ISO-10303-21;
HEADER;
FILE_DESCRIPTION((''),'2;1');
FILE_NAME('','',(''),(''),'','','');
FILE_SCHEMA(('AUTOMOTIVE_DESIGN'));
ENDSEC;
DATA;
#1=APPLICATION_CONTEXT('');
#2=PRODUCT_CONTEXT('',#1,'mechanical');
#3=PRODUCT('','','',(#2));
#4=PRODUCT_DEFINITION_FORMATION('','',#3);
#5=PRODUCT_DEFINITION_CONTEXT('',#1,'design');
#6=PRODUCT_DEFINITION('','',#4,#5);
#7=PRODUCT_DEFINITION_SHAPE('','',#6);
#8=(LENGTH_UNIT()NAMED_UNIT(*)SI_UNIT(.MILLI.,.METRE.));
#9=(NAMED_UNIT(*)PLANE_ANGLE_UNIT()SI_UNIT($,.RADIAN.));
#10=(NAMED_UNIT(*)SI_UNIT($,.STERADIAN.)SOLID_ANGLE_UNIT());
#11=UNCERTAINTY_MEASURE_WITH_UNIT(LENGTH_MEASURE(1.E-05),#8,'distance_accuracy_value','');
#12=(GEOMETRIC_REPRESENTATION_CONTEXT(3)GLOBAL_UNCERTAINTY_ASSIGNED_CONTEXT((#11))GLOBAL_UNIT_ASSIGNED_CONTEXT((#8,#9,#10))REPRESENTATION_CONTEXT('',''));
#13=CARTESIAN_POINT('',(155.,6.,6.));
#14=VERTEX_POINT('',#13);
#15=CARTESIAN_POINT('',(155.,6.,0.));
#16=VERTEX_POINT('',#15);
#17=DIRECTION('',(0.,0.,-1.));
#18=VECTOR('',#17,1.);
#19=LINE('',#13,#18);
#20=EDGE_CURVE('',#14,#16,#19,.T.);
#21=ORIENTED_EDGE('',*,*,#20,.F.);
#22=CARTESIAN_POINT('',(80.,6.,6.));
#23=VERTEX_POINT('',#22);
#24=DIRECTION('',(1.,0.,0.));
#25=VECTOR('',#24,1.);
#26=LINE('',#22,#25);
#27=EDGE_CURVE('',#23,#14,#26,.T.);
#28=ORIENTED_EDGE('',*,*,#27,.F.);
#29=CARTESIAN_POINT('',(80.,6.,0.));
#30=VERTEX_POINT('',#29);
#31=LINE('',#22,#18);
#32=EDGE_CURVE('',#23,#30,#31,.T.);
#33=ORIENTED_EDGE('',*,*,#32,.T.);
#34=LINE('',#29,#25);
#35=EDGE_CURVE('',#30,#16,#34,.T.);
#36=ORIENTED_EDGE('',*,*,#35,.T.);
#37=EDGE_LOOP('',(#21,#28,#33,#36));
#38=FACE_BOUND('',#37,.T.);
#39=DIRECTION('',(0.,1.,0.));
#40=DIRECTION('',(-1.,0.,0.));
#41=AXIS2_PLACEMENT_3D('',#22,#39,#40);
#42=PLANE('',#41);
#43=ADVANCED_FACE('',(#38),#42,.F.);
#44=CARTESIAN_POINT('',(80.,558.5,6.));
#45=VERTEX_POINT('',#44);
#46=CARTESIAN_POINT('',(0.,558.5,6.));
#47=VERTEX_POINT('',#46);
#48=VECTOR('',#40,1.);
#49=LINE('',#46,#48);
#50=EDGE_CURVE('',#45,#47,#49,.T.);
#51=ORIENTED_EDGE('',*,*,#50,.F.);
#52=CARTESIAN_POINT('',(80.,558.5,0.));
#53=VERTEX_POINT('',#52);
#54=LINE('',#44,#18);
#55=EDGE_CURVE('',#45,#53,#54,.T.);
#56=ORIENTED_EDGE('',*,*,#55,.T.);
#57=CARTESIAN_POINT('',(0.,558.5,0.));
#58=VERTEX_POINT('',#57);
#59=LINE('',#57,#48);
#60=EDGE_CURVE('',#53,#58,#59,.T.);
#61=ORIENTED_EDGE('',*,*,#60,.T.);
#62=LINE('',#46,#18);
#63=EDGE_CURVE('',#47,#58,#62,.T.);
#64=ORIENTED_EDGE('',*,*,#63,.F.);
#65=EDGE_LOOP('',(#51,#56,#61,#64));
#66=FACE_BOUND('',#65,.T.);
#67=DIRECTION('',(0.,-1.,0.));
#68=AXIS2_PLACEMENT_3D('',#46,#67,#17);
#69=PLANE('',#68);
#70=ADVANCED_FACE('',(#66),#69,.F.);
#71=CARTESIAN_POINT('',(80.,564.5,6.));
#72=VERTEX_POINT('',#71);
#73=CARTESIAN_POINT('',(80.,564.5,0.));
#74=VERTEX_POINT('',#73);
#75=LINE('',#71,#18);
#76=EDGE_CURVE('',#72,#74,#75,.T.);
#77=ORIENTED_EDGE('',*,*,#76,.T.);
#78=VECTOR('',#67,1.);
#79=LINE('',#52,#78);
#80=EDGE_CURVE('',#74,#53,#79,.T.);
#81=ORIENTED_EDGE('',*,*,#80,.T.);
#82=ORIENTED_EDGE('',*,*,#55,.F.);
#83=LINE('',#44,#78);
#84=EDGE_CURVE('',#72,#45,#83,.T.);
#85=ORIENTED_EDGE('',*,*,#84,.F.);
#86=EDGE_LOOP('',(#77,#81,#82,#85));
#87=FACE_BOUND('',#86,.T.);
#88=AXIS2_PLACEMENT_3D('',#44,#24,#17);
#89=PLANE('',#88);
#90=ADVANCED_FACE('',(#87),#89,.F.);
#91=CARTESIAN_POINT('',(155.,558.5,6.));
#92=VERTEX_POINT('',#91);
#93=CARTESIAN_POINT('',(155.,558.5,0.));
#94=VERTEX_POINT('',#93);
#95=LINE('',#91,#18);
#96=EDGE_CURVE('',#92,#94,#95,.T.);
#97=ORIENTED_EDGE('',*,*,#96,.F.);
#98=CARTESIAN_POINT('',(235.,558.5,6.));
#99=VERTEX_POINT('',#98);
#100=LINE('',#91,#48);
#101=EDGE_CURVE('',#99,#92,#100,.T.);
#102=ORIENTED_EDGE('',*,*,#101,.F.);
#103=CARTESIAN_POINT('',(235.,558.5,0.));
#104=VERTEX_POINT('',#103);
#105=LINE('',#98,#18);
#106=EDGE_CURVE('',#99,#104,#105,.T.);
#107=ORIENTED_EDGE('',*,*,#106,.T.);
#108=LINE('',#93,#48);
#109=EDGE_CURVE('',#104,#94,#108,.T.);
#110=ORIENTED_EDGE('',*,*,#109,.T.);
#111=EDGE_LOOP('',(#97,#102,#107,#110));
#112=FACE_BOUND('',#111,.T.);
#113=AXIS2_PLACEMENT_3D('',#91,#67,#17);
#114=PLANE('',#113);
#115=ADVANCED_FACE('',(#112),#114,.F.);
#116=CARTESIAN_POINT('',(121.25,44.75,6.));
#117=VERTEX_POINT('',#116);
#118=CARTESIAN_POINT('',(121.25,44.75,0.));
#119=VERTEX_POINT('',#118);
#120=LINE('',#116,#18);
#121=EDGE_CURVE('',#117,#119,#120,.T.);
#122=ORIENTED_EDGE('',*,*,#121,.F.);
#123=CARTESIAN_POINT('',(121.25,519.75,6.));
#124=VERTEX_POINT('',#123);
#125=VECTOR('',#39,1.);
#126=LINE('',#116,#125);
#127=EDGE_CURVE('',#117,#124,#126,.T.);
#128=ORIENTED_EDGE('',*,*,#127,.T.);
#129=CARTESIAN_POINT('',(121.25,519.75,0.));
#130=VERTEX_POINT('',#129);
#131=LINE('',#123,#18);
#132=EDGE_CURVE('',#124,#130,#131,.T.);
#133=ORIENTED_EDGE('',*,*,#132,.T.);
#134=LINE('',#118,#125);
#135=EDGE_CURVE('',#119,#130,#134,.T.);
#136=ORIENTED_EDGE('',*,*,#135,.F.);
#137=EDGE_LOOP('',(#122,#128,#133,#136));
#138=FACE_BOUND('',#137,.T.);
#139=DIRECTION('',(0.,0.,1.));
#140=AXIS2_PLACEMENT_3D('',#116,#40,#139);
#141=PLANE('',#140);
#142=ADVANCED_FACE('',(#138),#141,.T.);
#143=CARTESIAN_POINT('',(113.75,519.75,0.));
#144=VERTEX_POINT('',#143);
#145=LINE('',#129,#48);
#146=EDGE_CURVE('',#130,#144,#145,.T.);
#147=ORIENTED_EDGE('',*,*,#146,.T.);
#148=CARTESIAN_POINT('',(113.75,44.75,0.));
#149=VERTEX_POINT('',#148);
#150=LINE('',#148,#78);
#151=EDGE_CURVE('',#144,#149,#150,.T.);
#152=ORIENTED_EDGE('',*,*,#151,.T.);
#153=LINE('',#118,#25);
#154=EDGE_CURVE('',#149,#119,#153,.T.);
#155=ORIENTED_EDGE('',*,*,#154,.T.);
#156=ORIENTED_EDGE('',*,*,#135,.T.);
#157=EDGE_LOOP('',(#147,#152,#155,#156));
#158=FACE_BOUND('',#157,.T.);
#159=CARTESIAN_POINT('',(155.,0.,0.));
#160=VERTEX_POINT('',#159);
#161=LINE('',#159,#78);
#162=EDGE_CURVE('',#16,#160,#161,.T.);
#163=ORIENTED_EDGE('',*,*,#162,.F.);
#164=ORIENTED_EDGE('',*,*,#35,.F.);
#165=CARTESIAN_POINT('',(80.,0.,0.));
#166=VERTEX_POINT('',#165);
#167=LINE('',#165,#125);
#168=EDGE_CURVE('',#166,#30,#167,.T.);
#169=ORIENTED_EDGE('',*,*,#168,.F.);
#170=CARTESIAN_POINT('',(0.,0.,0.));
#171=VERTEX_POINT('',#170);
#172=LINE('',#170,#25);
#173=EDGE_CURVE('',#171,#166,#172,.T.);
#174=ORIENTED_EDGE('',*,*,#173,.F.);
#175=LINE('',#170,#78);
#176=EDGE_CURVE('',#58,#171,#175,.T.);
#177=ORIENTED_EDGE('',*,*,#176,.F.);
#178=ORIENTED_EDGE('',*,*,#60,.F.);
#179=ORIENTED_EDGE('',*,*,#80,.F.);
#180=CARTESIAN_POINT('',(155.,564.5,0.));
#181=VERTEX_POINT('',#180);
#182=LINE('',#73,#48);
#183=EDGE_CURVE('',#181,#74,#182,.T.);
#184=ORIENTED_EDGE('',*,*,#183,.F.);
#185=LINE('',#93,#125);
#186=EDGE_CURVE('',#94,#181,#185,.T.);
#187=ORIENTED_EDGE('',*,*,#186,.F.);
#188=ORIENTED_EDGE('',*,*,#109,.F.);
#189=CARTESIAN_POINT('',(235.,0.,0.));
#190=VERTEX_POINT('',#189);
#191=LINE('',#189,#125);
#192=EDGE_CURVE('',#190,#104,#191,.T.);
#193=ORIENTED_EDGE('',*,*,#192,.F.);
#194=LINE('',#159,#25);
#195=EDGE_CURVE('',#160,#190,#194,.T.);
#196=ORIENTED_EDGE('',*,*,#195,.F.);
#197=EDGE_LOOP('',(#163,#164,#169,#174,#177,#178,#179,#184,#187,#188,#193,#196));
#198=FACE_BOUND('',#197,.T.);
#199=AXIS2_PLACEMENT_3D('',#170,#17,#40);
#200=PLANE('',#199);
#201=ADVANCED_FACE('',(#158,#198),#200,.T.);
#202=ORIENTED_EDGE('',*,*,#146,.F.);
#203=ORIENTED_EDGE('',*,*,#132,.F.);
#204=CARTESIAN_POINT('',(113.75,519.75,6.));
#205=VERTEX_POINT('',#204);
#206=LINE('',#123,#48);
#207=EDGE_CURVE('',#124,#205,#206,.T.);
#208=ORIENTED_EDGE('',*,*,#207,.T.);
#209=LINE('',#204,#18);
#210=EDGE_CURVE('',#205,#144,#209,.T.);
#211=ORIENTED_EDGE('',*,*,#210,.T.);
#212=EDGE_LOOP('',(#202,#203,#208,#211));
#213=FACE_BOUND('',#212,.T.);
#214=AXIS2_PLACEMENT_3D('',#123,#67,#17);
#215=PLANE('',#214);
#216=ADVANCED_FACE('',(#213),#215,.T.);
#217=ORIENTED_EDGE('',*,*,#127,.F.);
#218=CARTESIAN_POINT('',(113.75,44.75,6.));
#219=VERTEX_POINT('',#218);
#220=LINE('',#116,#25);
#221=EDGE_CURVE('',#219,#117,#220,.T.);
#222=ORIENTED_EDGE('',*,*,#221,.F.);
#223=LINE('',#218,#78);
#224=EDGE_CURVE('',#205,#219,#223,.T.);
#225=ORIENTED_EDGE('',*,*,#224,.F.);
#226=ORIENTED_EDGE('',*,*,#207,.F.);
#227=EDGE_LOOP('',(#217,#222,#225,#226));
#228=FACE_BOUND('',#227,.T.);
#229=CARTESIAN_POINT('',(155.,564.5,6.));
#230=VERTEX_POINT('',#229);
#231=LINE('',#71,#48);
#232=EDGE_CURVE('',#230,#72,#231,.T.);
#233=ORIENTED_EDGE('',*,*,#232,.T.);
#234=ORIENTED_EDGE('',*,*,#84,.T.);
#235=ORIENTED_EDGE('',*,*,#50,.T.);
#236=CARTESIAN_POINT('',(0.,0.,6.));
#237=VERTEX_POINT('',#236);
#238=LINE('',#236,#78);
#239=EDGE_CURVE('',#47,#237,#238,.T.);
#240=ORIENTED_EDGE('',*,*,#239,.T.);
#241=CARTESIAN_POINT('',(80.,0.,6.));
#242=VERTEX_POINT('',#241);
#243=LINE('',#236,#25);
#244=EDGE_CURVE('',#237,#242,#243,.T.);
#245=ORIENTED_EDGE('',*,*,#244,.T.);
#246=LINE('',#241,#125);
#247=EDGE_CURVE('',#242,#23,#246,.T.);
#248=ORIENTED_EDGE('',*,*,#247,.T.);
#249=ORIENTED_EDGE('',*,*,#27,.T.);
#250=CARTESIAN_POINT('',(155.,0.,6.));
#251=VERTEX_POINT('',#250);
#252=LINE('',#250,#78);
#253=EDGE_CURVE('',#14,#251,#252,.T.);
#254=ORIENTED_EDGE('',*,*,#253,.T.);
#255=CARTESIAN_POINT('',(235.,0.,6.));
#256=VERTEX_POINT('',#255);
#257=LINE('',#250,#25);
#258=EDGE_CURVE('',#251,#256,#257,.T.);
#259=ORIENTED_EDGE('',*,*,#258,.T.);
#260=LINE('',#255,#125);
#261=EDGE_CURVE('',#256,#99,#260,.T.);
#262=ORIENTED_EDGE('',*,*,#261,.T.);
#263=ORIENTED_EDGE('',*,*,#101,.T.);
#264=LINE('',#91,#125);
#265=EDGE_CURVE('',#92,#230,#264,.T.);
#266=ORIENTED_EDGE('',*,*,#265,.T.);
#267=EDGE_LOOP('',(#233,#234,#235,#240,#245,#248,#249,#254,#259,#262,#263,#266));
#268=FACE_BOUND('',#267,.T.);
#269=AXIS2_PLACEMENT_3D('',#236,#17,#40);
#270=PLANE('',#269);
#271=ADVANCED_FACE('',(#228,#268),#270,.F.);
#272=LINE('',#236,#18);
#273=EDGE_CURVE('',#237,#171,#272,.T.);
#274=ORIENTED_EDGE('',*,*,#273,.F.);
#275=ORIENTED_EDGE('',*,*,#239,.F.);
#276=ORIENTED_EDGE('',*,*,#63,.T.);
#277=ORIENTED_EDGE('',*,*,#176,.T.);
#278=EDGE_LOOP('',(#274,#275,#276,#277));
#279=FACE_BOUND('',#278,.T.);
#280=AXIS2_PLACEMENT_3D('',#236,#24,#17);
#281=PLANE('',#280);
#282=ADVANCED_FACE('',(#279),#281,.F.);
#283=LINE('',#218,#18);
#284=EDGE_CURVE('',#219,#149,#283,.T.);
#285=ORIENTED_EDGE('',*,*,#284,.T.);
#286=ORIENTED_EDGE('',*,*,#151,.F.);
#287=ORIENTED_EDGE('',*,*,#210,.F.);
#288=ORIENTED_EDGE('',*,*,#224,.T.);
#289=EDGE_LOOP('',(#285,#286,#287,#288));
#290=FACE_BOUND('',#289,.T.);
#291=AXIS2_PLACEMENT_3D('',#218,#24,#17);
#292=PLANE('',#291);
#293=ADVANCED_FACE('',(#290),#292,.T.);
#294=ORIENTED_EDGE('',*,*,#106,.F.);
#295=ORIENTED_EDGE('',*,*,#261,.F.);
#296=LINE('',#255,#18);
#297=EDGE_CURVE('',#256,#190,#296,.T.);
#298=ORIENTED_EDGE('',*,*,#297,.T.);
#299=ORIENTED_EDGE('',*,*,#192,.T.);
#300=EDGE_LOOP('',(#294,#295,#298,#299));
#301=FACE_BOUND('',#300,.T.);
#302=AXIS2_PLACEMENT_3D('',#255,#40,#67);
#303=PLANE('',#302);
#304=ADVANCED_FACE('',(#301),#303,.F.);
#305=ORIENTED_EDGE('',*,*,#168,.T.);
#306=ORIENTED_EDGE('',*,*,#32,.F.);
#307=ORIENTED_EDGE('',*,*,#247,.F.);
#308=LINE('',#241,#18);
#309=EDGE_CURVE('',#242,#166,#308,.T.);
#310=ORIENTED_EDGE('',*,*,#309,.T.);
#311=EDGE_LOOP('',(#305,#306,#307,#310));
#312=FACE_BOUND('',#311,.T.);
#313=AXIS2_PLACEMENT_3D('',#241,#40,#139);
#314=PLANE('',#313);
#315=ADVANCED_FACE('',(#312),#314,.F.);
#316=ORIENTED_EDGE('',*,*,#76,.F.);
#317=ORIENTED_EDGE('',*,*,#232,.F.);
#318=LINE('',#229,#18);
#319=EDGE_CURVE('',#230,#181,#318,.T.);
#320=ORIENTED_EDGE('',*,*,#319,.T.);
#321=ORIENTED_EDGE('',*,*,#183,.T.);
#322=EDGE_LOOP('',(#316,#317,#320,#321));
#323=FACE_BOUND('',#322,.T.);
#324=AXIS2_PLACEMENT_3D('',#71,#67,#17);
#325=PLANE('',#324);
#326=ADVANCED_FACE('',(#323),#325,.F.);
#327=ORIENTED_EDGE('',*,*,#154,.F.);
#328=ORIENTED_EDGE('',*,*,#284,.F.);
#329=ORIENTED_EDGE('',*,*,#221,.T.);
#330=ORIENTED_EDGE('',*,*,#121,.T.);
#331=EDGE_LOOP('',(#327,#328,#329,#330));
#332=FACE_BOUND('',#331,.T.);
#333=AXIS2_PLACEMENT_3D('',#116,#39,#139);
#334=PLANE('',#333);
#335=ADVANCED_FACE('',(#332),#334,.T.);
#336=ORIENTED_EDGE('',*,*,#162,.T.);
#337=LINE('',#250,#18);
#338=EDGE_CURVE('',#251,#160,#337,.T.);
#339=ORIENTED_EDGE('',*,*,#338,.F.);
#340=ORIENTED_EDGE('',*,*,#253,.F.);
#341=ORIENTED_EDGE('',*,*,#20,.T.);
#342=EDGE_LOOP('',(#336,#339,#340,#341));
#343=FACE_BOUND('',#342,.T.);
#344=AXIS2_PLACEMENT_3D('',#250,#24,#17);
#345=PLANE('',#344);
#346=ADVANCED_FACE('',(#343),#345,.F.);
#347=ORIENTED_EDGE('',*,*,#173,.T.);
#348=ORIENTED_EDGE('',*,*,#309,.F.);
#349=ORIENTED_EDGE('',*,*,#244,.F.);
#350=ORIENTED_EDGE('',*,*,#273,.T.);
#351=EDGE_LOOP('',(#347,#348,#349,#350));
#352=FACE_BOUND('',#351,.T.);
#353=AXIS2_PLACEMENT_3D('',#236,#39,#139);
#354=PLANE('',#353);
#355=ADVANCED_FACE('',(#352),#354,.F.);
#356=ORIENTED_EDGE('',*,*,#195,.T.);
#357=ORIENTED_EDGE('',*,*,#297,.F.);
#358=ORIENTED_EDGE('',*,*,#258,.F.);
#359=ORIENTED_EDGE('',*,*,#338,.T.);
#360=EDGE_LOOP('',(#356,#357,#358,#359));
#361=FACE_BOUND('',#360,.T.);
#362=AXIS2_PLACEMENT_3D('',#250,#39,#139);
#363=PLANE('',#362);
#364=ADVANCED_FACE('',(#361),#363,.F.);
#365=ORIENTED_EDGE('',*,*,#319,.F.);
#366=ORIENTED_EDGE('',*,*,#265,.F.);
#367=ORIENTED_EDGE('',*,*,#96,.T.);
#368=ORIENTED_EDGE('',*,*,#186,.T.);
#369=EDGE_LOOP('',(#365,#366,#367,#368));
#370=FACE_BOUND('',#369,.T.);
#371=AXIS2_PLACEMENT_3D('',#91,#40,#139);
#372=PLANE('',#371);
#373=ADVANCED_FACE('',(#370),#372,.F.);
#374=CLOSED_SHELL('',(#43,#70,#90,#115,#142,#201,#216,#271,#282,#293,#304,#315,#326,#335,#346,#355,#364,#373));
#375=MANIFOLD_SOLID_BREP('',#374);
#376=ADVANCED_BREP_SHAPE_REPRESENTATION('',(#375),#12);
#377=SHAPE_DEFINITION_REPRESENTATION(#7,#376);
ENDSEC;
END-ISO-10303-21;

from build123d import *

# Parameters (mm, degrees)
ESBO_O1_W                = 7.5
ESBO_O1_H                = 475
RESSALTO_EXTRUS_O1_DEPTH = 6


with BuildPart() as part:
    # Esboço1 → Ressalto-extrusão1 (new body)
    with BuildSketch(Plane.XY):
        Polygon((155, 0), (235, 0), (235, 558.5), (155, 558.5), (155, 564.5), (80, 564.5), (80, 558.5), (0, 558.5), (0, 0), (80, 0), (80, 6), (155, 6), align=None)
        with Locations((117.5, 282.25)):
            Rectangle(ESBO_O1_W, ESBO_O1_H, mode=Mode.SUBTRACT)
    extrude(amount=RESSALTO_EXTRUS_O1_DEPTH)


solid = part.part
